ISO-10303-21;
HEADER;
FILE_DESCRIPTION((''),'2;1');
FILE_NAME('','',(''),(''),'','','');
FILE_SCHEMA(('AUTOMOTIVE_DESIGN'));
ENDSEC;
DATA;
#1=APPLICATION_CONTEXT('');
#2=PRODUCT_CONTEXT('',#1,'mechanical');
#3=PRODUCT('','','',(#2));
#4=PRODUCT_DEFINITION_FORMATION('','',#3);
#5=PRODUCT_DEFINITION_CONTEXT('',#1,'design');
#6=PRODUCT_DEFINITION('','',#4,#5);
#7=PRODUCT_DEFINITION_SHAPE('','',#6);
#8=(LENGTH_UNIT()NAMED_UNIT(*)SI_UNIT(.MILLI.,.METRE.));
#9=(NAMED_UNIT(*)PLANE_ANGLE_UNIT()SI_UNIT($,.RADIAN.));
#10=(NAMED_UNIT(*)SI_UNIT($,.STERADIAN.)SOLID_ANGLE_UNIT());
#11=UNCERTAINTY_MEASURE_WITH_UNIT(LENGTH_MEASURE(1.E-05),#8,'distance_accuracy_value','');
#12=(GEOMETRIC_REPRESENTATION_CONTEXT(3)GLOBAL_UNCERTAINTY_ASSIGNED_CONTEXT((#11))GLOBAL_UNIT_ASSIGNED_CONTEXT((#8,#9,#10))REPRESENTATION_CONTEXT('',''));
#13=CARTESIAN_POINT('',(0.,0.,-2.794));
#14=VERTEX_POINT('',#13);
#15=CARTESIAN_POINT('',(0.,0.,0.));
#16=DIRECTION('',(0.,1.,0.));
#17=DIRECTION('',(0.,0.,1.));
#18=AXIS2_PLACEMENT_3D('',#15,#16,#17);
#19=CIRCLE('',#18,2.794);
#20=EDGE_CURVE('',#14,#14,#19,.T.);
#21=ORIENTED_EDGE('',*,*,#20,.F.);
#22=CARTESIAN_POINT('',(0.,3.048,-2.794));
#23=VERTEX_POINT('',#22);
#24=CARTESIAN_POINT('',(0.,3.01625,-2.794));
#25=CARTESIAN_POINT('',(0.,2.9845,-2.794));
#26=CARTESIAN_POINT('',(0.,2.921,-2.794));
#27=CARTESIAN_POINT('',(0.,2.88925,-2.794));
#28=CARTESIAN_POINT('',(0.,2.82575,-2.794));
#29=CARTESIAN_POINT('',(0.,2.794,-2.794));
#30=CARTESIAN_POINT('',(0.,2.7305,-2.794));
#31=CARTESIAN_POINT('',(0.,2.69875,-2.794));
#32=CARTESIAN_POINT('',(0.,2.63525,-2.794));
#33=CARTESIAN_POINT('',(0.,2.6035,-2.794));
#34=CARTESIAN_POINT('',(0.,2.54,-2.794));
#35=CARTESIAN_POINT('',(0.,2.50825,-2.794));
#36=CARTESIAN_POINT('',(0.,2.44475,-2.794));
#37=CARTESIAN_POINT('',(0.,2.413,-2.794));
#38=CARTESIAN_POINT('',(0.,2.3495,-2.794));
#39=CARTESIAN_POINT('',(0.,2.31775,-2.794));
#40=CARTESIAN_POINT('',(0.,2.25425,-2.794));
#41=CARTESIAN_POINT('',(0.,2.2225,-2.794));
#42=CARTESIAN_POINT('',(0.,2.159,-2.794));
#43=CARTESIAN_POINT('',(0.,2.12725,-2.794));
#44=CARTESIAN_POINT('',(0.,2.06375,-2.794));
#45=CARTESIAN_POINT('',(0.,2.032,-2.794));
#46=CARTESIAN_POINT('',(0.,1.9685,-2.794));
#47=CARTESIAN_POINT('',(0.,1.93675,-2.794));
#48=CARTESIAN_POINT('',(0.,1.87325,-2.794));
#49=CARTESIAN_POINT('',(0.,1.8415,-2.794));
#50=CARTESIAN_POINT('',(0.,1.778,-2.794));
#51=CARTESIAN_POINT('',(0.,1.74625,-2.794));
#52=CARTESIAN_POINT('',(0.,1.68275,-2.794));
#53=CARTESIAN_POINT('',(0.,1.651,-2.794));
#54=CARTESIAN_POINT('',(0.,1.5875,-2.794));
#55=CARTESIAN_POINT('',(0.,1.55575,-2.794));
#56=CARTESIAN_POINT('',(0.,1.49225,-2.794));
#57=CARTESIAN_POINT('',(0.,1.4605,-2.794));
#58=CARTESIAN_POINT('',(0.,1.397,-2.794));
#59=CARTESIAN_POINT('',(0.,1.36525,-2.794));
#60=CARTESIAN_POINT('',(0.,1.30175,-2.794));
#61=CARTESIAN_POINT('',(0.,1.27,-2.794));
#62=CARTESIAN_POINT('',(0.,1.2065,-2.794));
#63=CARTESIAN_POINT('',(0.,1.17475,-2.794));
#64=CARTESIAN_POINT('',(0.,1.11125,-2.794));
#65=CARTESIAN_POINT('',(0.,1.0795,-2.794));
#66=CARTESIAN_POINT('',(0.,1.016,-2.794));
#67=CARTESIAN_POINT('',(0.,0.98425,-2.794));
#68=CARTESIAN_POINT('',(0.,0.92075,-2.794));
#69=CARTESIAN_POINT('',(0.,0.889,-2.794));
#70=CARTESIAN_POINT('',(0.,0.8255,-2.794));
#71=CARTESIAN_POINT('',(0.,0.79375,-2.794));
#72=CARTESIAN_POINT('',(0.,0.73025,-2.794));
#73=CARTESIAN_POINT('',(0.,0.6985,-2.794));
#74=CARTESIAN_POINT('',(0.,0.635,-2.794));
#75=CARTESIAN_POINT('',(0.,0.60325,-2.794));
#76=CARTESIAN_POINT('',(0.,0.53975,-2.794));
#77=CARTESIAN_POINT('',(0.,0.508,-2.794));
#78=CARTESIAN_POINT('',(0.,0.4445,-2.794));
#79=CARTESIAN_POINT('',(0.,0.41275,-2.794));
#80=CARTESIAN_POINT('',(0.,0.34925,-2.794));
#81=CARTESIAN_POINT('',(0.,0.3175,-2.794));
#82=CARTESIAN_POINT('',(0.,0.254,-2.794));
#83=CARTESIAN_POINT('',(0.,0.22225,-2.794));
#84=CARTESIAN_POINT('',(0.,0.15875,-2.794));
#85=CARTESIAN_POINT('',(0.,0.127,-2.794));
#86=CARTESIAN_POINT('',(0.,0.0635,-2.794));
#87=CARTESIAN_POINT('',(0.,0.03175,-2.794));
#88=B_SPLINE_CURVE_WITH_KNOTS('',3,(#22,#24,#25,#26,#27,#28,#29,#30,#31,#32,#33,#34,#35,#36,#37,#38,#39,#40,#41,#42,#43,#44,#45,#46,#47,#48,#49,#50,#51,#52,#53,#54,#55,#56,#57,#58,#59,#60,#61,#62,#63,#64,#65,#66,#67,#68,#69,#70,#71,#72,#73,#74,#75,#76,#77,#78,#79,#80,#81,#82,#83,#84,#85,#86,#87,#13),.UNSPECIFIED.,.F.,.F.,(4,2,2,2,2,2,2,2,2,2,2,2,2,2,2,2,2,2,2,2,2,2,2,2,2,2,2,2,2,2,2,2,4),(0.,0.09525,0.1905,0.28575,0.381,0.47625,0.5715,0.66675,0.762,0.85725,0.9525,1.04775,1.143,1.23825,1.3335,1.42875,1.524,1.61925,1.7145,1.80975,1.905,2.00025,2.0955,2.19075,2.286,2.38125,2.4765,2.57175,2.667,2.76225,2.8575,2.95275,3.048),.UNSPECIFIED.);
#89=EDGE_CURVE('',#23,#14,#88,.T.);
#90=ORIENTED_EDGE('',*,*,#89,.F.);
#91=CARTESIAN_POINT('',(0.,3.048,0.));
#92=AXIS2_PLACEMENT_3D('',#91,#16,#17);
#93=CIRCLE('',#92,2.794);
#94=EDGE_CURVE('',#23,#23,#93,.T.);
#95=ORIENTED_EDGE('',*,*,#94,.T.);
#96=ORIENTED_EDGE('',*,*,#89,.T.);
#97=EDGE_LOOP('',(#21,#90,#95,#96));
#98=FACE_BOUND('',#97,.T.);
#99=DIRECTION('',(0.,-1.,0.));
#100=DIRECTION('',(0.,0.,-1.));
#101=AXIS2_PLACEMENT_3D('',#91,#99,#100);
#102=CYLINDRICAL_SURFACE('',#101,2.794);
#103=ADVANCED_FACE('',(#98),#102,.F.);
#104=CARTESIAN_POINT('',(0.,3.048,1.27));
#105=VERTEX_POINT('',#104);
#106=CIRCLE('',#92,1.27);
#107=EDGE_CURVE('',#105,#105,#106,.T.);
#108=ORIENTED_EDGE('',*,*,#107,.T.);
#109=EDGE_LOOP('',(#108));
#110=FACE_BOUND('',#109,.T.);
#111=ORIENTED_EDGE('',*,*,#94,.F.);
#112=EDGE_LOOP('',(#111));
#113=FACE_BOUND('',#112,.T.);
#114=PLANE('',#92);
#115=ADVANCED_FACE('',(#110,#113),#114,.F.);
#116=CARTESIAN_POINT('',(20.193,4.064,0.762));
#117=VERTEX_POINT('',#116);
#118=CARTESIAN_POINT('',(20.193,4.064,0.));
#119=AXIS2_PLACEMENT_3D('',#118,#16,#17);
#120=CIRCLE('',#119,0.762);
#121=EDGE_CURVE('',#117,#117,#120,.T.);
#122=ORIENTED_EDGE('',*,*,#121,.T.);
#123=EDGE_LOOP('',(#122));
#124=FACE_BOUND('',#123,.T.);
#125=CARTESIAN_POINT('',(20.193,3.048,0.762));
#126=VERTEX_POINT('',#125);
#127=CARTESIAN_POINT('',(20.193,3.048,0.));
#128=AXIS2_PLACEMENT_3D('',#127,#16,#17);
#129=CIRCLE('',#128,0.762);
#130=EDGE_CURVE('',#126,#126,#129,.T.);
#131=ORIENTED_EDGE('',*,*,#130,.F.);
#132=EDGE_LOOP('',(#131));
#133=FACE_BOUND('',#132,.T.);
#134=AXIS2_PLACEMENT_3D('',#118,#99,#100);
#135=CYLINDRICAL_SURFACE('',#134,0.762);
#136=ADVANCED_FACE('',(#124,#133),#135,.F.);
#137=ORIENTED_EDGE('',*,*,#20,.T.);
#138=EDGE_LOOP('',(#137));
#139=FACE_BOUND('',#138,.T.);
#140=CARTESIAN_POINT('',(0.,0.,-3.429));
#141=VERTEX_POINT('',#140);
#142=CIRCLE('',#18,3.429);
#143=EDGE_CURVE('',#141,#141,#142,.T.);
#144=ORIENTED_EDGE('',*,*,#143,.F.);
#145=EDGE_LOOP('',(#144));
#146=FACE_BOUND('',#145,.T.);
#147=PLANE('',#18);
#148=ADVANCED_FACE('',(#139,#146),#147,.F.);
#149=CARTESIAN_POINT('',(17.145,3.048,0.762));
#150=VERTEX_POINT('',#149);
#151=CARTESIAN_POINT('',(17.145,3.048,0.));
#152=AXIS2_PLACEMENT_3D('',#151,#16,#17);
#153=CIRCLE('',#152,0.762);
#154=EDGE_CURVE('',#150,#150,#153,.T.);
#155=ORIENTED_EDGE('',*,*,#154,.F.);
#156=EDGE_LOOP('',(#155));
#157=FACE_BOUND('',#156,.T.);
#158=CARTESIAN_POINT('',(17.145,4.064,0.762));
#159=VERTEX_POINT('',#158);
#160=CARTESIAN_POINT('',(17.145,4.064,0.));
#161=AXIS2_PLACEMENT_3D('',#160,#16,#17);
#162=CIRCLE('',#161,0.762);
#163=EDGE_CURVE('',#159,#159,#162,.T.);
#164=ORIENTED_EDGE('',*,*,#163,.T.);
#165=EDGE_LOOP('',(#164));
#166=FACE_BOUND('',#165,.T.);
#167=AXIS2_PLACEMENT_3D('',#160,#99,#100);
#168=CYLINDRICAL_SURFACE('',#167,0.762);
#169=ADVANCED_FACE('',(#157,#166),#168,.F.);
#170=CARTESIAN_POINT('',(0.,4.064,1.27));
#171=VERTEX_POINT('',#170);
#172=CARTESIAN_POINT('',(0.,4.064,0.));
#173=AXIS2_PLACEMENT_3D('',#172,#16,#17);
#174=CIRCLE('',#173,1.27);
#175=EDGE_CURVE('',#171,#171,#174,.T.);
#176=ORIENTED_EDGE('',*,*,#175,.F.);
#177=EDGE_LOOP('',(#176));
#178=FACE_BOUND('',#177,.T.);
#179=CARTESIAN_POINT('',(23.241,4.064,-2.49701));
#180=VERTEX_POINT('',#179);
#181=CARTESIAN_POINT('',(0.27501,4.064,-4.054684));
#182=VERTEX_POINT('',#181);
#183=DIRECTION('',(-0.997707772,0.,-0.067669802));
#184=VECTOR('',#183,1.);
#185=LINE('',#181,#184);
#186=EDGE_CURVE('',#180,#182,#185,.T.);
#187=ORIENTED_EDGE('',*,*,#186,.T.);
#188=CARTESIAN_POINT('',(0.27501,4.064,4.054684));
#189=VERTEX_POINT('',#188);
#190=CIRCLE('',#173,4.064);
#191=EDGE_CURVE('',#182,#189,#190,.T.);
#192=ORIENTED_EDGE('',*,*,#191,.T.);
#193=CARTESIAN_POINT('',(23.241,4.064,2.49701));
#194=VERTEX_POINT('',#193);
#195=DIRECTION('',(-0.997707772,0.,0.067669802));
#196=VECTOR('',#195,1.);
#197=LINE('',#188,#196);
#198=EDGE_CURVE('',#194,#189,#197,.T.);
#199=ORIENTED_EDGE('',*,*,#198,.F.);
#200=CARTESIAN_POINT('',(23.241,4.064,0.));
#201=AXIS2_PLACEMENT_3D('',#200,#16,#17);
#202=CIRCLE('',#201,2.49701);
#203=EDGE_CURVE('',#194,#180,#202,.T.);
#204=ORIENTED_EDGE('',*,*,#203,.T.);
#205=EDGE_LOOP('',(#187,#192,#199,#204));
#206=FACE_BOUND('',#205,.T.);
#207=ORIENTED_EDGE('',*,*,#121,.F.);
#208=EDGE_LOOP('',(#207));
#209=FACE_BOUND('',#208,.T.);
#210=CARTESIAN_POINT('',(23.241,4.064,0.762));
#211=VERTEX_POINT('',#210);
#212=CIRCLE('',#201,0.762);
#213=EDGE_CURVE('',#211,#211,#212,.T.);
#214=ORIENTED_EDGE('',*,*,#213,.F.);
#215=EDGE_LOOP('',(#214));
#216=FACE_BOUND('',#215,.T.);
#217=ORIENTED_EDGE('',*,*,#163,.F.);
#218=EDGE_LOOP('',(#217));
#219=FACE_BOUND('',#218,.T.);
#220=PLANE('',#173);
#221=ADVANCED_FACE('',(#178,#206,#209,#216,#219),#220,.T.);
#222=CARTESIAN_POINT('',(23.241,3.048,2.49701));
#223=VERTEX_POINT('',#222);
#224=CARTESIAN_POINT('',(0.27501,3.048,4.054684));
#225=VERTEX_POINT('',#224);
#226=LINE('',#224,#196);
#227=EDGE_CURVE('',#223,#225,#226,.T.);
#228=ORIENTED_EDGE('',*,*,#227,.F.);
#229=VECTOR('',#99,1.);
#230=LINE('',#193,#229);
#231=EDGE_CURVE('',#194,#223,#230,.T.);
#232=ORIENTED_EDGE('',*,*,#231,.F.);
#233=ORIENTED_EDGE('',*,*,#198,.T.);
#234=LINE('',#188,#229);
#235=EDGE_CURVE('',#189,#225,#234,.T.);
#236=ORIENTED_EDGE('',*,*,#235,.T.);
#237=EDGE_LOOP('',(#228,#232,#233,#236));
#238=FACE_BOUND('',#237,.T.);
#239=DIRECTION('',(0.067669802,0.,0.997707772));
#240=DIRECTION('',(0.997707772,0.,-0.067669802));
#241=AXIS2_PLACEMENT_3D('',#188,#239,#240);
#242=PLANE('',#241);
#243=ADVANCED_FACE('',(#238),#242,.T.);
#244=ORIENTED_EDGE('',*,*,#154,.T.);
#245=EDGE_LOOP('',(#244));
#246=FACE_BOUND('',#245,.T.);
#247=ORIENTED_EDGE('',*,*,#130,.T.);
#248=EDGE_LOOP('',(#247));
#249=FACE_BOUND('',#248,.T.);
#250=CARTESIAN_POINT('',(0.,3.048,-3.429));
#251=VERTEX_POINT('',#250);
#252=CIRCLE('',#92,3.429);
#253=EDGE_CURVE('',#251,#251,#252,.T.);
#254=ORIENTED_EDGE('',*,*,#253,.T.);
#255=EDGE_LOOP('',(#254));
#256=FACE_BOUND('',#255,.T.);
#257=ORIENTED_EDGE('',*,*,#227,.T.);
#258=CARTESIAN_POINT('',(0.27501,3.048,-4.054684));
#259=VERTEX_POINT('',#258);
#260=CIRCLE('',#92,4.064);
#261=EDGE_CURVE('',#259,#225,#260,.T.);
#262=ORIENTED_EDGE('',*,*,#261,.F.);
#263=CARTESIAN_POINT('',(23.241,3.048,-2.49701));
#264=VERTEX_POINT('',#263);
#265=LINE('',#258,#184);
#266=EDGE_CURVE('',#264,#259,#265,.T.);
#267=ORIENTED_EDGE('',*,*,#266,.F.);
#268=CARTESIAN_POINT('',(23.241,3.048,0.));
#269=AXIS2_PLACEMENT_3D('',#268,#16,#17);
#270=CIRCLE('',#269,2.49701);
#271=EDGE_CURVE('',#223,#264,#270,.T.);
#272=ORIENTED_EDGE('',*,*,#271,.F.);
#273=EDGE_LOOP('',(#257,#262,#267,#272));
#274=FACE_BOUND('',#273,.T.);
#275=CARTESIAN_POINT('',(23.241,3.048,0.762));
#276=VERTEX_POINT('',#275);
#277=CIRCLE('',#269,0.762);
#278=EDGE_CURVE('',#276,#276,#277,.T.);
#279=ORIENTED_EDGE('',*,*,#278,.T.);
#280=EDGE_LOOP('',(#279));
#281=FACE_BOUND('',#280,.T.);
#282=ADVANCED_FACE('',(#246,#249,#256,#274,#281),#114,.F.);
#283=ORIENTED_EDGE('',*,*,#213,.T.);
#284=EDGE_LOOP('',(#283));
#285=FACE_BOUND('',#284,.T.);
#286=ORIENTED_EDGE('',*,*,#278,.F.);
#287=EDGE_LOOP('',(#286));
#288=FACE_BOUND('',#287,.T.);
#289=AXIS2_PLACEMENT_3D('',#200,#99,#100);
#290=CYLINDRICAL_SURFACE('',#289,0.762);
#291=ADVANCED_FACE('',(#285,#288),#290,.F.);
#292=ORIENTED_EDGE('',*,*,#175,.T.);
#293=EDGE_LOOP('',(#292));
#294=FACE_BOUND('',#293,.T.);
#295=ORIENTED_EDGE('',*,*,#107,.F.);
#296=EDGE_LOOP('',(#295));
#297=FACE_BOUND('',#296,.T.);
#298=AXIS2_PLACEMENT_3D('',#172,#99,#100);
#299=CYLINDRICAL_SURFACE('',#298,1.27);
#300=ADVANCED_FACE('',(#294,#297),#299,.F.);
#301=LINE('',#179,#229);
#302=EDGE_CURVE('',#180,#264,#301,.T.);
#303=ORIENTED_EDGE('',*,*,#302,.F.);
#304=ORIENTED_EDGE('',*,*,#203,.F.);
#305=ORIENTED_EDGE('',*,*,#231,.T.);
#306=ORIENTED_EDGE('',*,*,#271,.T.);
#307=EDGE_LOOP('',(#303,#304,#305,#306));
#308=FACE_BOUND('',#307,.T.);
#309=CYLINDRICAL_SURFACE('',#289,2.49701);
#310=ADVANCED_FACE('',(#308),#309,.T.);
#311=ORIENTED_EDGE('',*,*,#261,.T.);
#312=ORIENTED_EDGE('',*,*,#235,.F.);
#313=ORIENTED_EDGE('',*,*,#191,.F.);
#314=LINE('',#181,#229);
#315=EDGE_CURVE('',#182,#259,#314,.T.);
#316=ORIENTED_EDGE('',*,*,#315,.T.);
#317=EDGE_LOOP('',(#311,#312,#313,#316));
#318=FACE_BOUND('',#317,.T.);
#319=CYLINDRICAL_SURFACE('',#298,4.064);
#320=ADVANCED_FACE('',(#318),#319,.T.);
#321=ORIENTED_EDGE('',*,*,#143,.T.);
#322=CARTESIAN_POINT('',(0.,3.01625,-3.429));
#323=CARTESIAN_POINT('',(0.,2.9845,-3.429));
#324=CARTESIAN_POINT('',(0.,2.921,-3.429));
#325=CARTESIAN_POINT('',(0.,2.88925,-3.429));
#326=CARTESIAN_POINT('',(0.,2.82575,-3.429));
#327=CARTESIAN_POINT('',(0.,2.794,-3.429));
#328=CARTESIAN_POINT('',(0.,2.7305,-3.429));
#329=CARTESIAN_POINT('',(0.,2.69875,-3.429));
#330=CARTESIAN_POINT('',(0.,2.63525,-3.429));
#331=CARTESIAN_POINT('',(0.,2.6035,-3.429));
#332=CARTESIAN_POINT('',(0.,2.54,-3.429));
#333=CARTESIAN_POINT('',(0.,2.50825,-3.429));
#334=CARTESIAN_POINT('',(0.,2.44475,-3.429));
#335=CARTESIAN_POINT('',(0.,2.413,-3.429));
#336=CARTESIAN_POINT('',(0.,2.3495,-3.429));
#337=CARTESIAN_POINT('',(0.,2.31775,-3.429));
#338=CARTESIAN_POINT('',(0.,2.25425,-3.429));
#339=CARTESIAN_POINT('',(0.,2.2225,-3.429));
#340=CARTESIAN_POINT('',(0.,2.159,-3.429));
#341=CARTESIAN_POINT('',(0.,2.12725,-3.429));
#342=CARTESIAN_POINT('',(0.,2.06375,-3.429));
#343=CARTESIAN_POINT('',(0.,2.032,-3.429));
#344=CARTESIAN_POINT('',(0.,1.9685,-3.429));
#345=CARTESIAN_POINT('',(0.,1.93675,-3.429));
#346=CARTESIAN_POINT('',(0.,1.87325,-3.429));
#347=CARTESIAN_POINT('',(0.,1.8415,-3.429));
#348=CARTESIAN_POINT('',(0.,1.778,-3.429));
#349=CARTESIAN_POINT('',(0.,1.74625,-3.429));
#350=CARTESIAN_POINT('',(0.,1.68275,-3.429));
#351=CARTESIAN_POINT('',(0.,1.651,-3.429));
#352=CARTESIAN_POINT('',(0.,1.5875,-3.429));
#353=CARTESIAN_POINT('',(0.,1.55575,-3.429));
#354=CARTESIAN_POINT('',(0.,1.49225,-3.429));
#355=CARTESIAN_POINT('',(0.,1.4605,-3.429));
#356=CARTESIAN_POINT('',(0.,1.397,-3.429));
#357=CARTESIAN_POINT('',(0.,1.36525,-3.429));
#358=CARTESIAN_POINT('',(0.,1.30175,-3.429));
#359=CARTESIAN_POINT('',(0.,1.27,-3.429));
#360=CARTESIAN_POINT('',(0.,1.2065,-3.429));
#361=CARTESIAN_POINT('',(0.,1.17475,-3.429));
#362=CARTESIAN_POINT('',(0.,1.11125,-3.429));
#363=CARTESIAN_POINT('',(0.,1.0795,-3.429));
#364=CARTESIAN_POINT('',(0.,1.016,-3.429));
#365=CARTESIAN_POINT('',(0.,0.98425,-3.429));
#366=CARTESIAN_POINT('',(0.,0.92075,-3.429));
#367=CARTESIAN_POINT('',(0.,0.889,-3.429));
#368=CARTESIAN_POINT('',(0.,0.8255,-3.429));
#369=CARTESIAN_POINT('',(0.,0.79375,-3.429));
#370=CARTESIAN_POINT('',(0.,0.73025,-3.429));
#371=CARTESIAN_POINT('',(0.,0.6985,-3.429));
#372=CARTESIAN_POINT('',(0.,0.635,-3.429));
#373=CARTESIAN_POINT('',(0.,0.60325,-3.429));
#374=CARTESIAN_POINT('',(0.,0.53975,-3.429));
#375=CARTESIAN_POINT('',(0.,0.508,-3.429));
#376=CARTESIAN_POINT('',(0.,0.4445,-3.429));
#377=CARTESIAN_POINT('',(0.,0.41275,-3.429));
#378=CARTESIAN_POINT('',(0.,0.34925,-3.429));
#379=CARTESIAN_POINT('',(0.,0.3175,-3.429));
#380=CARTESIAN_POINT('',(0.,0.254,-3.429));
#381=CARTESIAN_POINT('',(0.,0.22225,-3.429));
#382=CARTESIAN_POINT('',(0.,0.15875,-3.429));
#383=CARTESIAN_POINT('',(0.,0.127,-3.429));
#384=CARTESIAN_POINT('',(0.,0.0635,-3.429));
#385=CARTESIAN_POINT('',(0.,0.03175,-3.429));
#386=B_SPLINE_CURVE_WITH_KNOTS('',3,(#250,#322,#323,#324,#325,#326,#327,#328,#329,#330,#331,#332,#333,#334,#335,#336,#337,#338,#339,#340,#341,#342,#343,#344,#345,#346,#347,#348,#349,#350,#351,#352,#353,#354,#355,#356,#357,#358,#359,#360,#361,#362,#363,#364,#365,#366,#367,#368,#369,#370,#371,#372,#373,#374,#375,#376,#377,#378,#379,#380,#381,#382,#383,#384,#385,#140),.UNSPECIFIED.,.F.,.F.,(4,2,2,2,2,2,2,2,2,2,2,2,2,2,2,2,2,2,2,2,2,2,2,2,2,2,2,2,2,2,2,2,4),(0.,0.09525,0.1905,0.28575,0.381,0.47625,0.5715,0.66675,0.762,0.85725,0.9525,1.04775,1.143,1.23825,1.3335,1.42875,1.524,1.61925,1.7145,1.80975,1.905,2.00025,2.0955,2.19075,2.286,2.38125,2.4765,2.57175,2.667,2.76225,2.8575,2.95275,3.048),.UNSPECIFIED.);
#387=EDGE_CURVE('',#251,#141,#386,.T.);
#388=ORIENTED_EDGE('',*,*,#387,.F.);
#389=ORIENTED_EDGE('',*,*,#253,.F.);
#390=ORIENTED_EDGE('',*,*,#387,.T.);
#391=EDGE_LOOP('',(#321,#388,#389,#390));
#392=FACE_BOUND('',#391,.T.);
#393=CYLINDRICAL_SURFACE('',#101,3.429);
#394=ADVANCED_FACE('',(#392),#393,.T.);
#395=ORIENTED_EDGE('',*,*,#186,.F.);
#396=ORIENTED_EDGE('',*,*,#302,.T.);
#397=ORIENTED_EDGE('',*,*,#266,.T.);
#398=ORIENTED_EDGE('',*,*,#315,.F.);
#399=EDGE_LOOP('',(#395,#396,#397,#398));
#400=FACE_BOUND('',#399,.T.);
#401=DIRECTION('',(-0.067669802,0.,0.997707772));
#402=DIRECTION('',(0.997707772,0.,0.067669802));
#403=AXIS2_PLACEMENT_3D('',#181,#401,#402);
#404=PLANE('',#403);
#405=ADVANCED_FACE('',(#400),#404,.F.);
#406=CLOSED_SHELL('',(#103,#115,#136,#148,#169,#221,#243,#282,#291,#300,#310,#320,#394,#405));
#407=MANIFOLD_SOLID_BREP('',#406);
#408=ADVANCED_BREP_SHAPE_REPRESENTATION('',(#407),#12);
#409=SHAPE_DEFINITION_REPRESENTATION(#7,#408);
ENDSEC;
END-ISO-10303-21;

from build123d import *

# Parameters (mm, degrees)
SKETCH5_R           = 3.429
SKETCH5_R_2         = 2.794
BOSS_EXTRUDE3_DEPTH = 3.048
SKETCH6_R           = 0.762
SKETCH6_R_2         = 1.27
BOSS_EXTRUDE4_DEPTH = 1.016


with BuildPart() as part:
    # Sketch5 → Boss-Extrude3 (new body)
    with BuildSketch(Plane(origin=(0, 0, 0), x_dir=(1, 0, 0), z_dir=(0, 1, 0))):
        with Locations(Location((0, 0, 0), (0, 0, 90))):
            Circle(SKETCH5_R)
        with Locations(Location((0, 0, 0), (0, 0, 90))):
            Circle(SKETCH5_R_2, mode=Mode.SUBTRACT)
    extrude(amount=BOSS_EXTRUDE3_DEPTH)

    # Sketch6 → Boss-Extrude4 (add)
    with BuildSketch(Plane(origin=(0, 3.048, 0), x_dir=(1, 0, 0), z_dir=(0, 1, 0))):
        with BuildLine():
            ThreePointArc((0.275010076, 4.054684385), (-4.064, 0), (0.275010076, -4.054684385))
            Line((0.275010076, -4.054684385), (23.241, -2.497009847))
            ThreePointArc((23.241, -2.497009847), (25.738009847, 0), (23.241, 2.497009847))
            Line((23.241, 2.497009847), (0.275010076, 4.054684385))
        make_face()
        with Locations(Location((20.193, 0, 0), (0, 0, 270))):
            Circle(SKETCH6_R, mode=Mode.SUBTRACT)
        with Locations(Location((0, 0, 0), (0, 0, 270))):
            Circle(SKETCH6_R_2, mode=Mode.SUBTRACT)
        with Locations(Location((17.145, 0, 0), (0, 0, 270))):
            Circle(SKETCH6_R, mode=Mode.SUBTRACT)
        with Locations(Location((23.241, 0, 0), (0, 0, 270))):
            Circle(SKETCH6_R, mode=Mode.SUBTRACT)
    extrude(amount=BOSS_EXTRUDE4_DEPTH)


solid = part.part
